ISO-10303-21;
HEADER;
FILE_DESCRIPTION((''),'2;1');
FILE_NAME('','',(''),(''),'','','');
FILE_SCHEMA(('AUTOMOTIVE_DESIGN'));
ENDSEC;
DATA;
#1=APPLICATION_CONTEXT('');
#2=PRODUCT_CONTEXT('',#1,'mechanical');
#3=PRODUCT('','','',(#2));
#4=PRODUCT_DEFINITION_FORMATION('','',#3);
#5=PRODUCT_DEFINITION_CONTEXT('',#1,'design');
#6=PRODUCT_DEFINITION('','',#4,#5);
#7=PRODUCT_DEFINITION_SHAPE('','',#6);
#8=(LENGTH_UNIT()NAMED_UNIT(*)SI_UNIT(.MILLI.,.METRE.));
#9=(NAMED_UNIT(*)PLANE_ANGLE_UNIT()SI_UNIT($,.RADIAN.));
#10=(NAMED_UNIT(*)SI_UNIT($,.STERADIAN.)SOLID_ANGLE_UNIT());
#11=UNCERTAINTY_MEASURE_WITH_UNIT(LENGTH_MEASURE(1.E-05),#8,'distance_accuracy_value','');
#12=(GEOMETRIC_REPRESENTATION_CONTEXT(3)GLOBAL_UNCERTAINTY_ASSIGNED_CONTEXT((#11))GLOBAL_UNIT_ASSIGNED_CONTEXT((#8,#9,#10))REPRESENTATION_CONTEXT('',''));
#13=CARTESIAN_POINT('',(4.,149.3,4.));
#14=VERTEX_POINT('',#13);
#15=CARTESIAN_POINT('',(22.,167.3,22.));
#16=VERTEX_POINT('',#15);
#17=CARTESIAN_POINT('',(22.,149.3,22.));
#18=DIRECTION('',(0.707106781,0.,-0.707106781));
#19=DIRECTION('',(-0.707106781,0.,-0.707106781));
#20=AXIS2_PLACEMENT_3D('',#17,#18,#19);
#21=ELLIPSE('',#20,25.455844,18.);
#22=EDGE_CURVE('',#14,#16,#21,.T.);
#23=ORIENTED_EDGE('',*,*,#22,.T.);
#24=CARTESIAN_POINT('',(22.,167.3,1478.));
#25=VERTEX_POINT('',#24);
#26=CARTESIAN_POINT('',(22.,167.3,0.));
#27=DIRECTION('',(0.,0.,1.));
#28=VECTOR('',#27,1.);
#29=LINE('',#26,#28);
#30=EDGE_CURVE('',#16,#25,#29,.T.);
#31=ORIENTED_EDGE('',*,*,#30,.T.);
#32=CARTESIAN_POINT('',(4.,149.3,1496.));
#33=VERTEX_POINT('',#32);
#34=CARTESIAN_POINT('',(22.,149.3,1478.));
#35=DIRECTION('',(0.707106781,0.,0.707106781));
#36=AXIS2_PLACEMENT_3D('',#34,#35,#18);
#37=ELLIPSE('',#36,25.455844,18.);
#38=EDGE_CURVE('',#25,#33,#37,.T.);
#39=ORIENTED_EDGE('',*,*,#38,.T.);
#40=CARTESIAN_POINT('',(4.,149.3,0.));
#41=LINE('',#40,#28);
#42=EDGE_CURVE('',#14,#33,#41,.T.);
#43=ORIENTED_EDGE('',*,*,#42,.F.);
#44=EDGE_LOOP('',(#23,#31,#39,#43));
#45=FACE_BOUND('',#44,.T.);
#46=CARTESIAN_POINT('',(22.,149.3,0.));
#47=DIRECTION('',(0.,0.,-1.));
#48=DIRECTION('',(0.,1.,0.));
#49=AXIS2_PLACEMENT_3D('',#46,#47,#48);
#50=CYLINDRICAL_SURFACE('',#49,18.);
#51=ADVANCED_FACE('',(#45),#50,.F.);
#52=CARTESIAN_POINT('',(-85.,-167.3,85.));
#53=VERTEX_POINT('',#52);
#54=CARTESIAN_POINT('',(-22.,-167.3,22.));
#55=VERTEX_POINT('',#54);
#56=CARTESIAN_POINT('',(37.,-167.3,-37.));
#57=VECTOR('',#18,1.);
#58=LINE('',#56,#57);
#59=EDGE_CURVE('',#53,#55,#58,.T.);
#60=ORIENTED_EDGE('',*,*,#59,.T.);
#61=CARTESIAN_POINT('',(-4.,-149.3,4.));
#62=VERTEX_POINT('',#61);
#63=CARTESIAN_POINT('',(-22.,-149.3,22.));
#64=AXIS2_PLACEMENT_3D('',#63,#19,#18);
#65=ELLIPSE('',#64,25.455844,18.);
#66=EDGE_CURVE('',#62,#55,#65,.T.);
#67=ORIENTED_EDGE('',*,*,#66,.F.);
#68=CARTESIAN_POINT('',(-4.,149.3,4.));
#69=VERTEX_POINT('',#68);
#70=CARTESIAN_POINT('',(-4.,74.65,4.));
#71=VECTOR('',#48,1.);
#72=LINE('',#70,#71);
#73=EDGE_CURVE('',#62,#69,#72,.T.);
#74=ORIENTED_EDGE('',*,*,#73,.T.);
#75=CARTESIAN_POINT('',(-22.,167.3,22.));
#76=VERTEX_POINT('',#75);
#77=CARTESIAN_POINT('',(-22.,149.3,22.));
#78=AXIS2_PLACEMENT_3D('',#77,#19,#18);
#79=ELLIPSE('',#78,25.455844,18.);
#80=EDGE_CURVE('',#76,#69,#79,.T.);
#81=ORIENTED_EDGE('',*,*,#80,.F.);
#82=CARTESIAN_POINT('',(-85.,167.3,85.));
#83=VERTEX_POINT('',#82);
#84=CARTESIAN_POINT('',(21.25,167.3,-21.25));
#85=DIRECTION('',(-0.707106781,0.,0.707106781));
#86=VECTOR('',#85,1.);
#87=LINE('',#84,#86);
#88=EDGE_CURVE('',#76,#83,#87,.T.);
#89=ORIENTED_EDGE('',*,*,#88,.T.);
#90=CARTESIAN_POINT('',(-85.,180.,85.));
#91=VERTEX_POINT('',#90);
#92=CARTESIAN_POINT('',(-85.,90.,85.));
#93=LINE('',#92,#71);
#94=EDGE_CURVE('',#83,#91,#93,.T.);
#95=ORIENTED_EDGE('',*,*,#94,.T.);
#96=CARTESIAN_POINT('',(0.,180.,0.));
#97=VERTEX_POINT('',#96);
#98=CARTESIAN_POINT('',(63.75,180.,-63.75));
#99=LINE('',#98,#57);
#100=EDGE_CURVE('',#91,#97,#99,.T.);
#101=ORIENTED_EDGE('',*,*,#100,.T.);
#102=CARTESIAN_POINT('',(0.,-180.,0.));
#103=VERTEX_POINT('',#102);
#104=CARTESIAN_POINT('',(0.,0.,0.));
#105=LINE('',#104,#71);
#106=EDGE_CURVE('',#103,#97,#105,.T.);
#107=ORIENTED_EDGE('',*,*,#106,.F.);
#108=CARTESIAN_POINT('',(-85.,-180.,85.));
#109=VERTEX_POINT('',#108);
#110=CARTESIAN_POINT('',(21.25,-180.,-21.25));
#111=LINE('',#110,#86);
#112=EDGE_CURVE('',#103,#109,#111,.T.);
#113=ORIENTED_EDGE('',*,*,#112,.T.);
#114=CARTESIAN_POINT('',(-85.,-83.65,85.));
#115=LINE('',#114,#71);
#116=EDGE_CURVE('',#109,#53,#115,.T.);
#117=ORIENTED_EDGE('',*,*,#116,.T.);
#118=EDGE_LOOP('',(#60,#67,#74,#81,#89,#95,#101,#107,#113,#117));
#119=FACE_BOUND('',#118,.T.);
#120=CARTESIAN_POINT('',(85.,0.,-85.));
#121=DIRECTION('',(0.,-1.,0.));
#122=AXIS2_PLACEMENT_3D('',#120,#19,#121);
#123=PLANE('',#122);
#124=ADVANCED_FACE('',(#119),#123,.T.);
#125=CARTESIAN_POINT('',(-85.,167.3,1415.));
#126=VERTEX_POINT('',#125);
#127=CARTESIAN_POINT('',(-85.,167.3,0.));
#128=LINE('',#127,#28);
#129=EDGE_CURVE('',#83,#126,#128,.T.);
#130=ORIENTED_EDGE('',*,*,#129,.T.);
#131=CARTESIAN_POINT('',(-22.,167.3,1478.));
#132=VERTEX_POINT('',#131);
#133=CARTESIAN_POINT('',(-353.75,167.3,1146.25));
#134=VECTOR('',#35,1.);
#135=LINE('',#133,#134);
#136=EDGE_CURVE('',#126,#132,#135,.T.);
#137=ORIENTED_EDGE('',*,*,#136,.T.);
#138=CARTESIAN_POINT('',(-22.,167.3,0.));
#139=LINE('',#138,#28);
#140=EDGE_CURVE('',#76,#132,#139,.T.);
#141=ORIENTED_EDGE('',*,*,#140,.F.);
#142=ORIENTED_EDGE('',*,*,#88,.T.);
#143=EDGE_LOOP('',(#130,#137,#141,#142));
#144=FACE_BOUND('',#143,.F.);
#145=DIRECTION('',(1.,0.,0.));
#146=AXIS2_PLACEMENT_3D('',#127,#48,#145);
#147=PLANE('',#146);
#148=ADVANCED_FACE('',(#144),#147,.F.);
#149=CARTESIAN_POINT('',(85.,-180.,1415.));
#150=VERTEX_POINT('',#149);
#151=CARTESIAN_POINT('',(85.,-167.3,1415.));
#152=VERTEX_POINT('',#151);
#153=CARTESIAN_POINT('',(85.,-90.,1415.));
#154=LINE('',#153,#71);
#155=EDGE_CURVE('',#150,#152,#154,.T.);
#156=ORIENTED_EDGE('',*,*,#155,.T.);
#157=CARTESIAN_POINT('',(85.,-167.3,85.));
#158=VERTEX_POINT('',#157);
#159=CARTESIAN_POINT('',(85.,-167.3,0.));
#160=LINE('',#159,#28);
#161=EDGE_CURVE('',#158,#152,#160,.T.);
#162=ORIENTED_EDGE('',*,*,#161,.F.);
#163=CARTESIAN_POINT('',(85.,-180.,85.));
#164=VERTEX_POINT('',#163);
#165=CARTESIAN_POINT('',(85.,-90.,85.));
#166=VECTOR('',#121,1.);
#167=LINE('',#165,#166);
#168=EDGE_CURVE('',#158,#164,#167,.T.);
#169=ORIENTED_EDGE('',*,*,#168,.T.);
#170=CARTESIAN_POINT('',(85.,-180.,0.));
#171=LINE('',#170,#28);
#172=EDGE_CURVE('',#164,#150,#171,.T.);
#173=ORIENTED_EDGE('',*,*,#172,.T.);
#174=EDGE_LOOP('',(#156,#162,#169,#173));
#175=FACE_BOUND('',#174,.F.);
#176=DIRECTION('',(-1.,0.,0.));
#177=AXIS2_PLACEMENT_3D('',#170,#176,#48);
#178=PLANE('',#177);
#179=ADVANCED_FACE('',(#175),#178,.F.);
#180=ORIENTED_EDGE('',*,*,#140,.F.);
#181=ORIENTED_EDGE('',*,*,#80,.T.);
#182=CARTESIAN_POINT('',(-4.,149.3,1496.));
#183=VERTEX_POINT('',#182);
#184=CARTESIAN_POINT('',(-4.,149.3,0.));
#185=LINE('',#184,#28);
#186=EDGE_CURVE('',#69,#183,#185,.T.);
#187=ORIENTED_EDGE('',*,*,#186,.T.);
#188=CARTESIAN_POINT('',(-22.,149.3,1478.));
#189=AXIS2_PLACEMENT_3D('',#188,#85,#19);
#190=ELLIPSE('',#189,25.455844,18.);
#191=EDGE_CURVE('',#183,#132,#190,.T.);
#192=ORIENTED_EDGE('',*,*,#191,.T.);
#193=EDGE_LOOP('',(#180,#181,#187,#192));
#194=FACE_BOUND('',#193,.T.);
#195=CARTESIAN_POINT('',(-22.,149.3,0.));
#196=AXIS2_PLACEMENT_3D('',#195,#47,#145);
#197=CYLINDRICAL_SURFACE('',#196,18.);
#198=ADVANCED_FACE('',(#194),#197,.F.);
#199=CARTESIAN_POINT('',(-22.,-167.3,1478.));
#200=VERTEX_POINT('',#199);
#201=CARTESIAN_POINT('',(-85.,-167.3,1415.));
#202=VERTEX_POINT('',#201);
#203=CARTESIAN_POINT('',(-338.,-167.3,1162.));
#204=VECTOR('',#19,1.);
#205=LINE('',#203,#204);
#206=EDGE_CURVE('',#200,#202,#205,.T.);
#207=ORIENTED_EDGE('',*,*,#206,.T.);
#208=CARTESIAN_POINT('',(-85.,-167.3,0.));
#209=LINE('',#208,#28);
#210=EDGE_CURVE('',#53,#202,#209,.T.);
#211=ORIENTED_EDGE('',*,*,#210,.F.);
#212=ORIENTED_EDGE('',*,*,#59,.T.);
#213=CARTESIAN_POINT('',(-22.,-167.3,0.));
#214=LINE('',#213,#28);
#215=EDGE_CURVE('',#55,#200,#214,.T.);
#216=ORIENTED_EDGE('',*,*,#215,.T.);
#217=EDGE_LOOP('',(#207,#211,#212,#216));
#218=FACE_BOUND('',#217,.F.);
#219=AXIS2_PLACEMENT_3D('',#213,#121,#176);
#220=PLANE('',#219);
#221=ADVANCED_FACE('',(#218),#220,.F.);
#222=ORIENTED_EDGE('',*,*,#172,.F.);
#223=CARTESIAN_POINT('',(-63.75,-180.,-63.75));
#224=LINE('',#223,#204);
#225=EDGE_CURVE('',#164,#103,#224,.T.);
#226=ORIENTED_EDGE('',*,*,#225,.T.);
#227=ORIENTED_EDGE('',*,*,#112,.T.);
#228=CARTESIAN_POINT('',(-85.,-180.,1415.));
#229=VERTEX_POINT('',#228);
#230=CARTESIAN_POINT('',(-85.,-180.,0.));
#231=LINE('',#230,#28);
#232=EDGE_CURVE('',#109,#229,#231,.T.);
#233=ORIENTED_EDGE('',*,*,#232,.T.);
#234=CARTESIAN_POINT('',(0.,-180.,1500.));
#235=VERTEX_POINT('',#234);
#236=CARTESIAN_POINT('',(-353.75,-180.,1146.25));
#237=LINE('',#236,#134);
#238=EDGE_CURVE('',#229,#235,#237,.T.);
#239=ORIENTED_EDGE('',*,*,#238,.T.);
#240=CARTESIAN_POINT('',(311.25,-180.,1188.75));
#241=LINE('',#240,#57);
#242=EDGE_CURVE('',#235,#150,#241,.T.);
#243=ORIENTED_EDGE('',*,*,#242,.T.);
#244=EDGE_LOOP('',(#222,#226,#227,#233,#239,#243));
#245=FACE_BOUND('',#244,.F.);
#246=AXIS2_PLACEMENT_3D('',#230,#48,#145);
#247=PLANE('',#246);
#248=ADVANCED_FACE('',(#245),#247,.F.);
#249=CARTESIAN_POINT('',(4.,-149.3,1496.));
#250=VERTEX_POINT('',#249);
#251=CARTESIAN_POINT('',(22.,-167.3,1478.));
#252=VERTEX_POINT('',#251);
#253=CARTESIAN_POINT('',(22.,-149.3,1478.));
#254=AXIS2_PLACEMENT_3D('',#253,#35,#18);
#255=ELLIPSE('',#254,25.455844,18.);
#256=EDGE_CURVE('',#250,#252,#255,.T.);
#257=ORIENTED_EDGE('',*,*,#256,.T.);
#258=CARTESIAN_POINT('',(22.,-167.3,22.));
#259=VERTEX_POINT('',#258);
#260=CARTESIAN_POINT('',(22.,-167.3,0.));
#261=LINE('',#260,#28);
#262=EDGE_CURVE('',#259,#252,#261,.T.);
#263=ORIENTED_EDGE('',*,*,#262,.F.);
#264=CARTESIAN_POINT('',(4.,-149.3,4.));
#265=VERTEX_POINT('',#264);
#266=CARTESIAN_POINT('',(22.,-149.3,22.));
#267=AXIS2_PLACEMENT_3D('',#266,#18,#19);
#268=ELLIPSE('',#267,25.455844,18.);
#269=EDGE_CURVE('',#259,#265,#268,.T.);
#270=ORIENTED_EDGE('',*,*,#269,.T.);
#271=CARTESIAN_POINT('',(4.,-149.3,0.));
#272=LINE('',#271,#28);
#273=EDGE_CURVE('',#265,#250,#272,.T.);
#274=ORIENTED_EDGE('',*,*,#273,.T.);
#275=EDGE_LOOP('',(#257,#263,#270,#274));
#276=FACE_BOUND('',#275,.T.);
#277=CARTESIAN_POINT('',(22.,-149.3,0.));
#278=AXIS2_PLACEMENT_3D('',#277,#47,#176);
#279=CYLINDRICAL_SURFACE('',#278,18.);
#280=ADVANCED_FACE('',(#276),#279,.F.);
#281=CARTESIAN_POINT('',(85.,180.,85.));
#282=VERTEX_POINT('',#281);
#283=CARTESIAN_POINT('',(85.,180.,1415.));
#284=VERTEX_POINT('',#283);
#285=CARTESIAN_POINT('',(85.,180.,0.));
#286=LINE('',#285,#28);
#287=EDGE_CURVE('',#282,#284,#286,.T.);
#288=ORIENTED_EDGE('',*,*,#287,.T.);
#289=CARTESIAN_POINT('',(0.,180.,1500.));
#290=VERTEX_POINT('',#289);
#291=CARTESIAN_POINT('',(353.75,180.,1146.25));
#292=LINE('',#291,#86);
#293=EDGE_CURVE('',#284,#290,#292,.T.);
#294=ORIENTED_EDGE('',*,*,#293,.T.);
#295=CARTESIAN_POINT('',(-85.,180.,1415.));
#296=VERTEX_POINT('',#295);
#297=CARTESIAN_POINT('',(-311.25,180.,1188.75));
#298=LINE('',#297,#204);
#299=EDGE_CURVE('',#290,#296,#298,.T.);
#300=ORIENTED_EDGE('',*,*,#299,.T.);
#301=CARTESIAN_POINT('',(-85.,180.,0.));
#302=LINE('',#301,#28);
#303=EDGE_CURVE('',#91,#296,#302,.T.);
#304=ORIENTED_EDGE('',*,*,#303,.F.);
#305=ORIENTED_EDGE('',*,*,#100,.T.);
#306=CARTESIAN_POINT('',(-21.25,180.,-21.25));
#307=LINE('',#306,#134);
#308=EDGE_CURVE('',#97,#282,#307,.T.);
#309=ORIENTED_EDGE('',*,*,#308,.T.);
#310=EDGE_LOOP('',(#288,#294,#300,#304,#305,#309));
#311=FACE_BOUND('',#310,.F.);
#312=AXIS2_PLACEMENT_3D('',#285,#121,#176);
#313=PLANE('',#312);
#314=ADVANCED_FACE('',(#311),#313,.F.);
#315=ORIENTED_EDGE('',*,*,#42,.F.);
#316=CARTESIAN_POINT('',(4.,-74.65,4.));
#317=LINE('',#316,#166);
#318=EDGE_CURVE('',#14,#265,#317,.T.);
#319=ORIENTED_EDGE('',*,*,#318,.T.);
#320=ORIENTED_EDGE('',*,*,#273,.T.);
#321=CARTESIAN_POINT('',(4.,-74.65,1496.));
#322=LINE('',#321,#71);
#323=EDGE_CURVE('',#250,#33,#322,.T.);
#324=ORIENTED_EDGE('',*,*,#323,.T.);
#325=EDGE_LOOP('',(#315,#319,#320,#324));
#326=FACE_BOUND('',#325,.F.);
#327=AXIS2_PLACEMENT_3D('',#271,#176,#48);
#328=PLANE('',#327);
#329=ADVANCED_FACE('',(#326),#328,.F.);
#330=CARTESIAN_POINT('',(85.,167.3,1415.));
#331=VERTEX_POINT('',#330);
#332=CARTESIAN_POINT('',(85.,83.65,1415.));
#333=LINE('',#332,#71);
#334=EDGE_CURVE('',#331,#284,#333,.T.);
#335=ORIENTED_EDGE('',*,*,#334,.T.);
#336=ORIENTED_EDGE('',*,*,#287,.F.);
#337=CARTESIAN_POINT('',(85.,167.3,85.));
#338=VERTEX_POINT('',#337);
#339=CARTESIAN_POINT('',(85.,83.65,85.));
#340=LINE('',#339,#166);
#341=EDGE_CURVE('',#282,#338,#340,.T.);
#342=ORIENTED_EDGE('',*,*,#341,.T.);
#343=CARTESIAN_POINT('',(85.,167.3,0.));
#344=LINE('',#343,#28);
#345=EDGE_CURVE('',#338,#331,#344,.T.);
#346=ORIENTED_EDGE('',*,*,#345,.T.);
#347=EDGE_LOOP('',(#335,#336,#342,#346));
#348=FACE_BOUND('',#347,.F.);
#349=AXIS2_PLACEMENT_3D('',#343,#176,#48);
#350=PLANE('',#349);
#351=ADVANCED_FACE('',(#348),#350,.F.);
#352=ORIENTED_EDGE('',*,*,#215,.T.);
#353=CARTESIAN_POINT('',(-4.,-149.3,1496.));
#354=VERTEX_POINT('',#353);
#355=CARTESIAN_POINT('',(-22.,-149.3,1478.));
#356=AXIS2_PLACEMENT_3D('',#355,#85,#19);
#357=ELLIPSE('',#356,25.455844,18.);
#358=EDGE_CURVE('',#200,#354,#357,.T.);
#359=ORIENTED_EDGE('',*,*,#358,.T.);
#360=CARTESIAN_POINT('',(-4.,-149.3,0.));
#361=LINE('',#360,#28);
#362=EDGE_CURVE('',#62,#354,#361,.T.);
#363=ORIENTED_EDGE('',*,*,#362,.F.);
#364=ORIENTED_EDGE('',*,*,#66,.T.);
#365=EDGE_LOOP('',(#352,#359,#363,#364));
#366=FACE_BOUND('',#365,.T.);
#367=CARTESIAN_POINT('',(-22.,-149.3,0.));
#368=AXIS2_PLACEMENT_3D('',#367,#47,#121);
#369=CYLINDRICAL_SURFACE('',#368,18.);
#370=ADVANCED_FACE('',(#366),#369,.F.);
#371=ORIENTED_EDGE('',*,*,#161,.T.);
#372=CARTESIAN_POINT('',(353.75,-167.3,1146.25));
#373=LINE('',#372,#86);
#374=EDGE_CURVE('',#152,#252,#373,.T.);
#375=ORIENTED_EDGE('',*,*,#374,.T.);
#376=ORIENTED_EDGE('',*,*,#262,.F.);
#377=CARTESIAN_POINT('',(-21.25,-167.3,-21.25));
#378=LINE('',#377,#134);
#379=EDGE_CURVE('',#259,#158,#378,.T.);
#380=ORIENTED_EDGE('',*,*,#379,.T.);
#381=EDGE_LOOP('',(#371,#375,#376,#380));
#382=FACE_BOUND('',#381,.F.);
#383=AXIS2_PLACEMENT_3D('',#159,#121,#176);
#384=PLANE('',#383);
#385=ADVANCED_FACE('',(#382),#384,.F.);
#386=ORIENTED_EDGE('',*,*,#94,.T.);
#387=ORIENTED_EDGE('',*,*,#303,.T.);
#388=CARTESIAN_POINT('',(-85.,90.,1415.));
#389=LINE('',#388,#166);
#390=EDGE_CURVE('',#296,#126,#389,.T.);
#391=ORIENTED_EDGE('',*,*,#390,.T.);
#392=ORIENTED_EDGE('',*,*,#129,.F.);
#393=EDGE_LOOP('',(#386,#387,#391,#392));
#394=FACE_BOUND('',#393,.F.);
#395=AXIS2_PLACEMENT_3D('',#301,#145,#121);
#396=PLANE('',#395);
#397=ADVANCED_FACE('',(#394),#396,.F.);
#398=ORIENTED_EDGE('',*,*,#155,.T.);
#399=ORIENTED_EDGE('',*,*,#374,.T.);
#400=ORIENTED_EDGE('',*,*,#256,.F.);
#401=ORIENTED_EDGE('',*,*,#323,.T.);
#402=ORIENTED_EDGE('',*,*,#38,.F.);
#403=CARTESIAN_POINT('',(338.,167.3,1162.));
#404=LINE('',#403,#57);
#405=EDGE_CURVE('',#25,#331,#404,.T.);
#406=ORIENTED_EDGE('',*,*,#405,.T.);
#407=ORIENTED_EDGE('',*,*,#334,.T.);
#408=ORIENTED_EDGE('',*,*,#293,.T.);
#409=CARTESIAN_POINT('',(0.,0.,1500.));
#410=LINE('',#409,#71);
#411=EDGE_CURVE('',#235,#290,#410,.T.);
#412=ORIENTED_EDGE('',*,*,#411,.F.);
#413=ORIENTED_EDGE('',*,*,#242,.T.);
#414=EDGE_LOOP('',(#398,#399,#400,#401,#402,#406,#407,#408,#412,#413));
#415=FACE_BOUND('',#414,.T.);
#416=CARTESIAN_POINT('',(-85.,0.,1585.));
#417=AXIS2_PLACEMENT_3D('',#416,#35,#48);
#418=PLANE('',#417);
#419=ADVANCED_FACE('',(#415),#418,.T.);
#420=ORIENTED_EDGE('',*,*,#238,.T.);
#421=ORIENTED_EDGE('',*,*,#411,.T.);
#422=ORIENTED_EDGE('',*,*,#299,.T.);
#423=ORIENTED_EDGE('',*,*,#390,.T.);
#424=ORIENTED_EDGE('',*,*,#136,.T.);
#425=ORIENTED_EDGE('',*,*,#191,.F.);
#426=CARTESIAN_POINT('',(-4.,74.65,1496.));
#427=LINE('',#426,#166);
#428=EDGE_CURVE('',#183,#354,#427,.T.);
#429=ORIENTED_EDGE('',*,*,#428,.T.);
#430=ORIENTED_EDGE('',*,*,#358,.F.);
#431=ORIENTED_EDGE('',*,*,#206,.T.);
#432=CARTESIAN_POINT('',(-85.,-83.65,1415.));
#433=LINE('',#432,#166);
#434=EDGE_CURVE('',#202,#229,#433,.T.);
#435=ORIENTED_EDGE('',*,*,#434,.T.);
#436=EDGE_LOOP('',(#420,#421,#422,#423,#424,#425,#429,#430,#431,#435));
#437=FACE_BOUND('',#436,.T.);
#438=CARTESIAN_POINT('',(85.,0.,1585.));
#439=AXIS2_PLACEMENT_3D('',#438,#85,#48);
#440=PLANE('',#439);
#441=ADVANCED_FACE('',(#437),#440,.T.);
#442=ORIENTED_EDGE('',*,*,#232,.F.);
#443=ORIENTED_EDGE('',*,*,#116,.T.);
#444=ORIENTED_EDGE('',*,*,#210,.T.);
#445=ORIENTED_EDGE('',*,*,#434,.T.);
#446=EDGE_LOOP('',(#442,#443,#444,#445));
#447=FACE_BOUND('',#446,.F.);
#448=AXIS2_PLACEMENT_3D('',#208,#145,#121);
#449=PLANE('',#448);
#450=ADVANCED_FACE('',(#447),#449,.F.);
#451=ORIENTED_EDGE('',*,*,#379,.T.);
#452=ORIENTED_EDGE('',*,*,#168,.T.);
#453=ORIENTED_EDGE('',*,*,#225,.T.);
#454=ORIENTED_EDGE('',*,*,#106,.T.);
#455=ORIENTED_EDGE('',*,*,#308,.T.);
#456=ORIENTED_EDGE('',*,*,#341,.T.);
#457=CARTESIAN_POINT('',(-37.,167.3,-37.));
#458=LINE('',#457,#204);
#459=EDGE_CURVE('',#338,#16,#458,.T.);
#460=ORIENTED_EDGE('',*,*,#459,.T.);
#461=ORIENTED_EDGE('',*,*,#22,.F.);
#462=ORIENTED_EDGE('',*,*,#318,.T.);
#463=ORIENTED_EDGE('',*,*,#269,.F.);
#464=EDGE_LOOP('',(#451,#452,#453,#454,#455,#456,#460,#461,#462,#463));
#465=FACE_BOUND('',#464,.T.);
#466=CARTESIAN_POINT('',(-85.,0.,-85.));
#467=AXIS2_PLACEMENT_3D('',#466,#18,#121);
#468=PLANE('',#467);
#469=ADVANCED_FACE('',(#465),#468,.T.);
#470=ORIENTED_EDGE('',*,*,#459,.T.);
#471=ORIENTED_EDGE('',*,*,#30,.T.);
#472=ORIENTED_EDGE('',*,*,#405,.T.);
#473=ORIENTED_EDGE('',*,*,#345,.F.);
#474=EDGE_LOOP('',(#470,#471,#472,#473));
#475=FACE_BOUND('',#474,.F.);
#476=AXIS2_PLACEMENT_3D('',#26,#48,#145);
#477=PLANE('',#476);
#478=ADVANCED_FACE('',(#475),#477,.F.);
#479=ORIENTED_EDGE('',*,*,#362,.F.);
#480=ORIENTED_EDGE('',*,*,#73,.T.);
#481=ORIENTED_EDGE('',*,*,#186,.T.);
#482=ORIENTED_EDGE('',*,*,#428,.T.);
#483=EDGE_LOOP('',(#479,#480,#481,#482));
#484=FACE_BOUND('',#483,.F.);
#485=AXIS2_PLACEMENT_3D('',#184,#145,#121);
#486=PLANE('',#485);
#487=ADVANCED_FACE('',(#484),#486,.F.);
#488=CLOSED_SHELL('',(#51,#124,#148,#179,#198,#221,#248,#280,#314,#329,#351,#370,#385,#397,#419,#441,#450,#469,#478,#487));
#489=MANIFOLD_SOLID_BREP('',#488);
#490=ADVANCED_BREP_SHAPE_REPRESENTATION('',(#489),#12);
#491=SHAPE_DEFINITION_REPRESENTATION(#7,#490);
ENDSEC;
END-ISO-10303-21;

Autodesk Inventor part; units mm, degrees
ref_plane "Start Plane" through (0, 0, 0) normal (0, 0, 1) x (1, 0, 0)
ref_plane "End Plane" through (0, 0, 1500) normal (0, 0, 1) x (1, 0, 0)
sketch "Sketch" plane through (0, 0, 0) normal (0, 0, 1) x (1, 0, 0)
  line L0 (-85, 167.3) -> (-22, 167.3)
  line L1 (-85, 180) -> (-85, 167.3)
  line L2 (85, 180) -> (-85, 180)
  line L3 (85, 167.3) -> (85, 180)
  line L4 (22, 167.3) -> (85, 167.3)
  line L5 (4, -149.3) -> (4, 149.3)
  line L6 (85, -167.3) -> (22, -167.3)
  line L7 (85, -180) -> (85, -167.3)
  line L8 (-85, -167.3) -> (-85, -180)
  line L9 (-22, -167.3) -> (-85, -167.3)
  line L10 (-4, 149.3) -> (-4, -149.3)
  line L11 (0, -252) -> (0, 252) construction
  line L12 (-4, -167.3) -> (4, -167.3) construction
  arc A0 (-22, -167.3) -> (-4, -149.3) centre (-22, -149.3) ccw
  arc A1 (-4, 149.3) -> (-22, 167.3) centre (-22, 149.3) ccw
  arc A2 (22, 167.3) -> (4, 149.3) centre (22, 149.3) ccw
  arc A3 (4, -149.3) -> (22, -167.3) centre (22, -149.3) ccw
  line L13 (-119, 0) -> (119, 0) construction
  line L14 (-85, -180) -> (85, -180)
  point P0 (-4, 167.3)
  point P1 (4, 167.3)
  point P2 (0, 0)
  point P3 (0, -167.3)
  point P4 (0, 0)
  dimension "d1" = 360
  dimension "d3" = 12.7
  dimension "d5" = 8
  dimension "d7" = 170
  dimension "d13" = 18
  dimension "d14" = 180
  dimension "d15" = 85
extrude "Body" add sketch "Sketch" along normal up to surface (1500 mm away) from surface at 0
sketch "Sketch3" plane through (0, 0, 0) normal (0, 0, 1) x (1, 0, 0)
  line L0 (0, 0) -> (10, 0)
ref_plane "Work Plane3" through (0, 0, 0) normal (0, -1, 0) x (1, 0, 0)
ref_plane "Work Plane4" through (-85, 0, -85) normal (0.7071, 0, -0.7071) x (-0.7071, 0, -0.7071)
split "Split1" plane through (-85, 0, -85) removes the side toward (0.7071, 0, -0.7071)
ref_plane "Work Plane5" through (-85, 0, 1585) normal (0.7071, 0, 0.7071) x (0.7071, 0, -0.7071)
split "Split2" plane through (-85, 0, 1585) removes the side toward (0.7071, 0, 0.7071)
ref_plane "Work Plane6" through (85, 0, -85) normal (-0.7071, 0, -0.7071) x (-0.7071, 0, 0.7071)
split "Split3" plane through (85, 0, -85) removes the side toward (-0.7071, 0, -0.7071)
ref_plane "Work Plane7" through (85, 0, 1585) normal (-0.7071, 0, 0.7071) x (0.7071, 0, 0.7071)
split "Split4" plane through (85, 0, 1585) removes the side toward (-0.7071, 0, 0.7071)
sketch "Sketch4" plane through (0, 0, 0) normal (0, -1, 0) x (1, 0, 0)
  line L0 (-2, 0) -> (12, 0) projected
  line L1 (-2, 1500) -> (12, 1500) projected
  dimension "d19" = 1500
equation "\"d1\" = ParH"
equation "\"d3\" = t2"
equation "\"d5\" = t1"
equation "\"d7\" = b"
equation "\"d13\" = R1"
equation "\"d14\" = 0.5 * d1"
equation "\"d15\" = 0.5 * d7"
equation "\"d8\" = G_L"
equation "\"b\" = 170"
equation "\"ParH\" = 360"
equation "\"R1\" = 18"
equation "\"G_L\" = d19"
equation "\"t1\" = 8"
equation "\"t2\" = 12.7"
equation "\"G_OFFSET_START\" = 0"
equation "\"G_OFFSET_END\" = 0"
properties part number "DIN 1025 - IPE 360-1500" material "Steel, Mild"
